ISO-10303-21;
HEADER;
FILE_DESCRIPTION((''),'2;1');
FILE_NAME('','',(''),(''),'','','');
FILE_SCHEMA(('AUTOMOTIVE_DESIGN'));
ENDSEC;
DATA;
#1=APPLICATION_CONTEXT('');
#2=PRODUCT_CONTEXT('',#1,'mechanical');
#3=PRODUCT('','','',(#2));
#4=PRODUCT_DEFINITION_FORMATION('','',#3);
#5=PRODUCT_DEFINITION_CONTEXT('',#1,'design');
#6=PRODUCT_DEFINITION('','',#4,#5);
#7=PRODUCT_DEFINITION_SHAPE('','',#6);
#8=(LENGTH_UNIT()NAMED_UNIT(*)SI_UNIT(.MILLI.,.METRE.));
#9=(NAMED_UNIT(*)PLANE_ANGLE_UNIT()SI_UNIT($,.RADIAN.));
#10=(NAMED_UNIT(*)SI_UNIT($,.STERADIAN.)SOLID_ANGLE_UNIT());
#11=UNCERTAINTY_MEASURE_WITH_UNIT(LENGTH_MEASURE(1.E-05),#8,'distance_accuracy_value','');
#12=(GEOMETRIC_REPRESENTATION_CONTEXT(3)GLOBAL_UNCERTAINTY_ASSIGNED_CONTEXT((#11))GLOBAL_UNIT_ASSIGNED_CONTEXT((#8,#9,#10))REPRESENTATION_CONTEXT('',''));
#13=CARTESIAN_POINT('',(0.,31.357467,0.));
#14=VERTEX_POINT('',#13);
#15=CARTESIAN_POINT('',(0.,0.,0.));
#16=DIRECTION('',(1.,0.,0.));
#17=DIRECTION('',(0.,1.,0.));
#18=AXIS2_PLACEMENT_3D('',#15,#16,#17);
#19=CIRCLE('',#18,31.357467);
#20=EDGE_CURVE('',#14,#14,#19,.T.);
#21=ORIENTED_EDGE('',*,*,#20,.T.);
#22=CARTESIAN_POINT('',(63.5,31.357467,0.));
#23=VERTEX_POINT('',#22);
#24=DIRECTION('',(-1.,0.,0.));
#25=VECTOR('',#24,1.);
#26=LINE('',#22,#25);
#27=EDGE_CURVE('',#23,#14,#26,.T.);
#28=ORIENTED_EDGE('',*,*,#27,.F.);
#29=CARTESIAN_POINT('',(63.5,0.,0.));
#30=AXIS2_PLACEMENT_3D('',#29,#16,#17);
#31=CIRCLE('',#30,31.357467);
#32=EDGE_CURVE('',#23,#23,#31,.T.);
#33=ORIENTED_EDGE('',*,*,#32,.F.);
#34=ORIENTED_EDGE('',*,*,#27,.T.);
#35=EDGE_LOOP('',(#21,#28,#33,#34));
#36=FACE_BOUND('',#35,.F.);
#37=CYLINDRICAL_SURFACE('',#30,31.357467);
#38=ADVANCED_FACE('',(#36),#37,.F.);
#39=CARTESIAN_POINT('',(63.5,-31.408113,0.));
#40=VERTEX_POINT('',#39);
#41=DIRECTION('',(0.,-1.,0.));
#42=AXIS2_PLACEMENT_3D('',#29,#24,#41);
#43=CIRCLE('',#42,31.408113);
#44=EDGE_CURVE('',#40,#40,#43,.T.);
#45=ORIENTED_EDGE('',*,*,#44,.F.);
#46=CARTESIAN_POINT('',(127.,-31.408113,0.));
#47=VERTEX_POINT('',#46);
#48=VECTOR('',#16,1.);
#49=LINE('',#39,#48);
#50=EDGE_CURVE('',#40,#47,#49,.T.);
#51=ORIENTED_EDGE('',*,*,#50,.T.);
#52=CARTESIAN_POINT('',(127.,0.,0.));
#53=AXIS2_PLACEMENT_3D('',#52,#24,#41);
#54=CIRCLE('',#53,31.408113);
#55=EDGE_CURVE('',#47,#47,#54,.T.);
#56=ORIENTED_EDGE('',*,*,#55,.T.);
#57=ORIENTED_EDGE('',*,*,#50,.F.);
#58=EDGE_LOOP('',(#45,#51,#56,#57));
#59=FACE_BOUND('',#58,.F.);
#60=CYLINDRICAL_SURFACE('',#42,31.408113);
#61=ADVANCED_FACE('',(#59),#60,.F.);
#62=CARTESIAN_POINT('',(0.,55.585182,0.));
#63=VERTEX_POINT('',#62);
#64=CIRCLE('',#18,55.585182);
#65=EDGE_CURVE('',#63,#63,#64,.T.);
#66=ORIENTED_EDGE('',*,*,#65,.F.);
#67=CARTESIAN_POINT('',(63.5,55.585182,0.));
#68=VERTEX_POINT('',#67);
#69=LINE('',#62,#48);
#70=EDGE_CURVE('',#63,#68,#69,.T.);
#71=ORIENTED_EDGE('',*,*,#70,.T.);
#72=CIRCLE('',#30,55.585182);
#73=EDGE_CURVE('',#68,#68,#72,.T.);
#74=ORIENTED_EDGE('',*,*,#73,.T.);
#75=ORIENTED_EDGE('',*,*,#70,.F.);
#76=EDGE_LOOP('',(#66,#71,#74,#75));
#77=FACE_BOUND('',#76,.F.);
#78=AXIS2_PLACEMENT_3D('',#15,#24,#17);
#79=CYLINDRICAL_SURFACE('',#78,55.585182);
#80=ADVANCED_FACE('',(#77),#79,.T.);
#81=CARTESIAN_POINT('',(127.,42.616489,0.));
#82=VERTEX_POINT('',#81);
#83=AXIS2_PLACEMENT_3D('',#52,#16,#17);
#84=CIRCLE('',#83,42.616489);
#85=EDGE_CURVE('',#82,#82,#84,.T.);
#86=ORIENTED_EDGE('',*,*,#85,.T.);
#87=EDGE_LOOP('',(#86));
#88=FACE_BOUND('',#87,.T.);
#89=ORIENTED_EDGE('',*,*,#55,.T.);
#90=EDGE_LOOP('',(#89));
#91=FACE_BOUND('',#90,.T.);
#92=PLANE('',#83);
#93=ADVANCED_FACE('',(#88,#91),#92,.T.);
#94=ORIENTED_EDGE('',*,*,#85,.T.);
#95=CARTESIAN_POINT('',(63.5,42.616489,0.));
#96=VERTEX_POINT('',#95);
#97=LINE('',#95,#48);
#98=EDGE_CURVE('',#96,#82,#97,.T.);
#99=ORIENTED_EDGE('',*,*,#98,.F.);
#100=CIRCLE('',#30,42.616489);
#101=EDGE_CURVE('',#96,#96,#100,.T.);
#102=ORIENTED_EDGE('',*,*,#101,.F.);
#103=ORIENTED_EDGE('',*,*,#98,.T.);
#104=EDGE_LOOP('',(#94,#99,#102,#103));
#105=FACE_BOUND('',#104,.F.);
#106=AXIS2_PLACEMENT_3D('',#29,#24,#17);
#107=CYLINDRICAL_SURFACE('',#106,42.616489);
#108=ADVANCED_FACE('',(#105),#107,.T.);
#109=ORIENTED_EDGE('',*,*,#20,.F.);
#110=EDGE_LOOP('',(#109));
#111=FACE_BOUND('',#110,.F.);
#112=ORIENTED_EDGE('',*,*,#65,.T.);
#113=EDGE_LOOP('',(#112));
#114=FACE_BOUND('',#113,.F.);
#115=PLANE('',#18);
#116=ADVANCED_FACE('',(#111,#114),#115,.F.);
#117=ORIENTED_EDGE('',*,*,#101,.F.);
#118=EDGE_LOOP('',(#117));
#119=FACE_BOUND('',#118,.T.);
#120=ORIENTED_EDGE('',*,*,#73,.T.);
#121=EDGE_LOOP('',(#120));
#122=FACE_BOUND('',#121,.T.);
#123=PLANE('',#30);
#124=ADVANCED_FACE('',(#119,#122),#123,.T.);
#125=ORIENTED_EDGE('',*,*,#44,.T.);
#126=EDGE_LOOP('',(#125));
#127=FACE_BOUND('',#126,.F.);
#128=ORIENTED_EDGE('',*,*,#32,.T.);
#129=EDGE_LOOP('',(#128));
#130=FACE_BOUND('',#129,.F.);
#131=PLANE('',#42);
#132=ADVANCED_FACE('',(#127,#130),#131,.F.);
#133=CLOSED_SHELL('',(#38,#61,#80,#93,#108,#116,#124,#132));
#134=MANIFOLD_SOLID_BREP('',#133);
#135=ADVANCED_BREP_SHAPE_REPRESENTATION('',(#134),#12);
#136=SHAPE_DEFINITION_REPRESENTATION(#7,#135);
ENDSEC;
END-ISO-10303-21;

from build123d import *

# Parameters (mm, degrees)
F0_R     = 55.585182
F1_DEPTH = 63.5
F2_R     = 31.357467
F3_DEPTH = 63.5
F4_R     = 42.616489
F5_DEPTH = 63.5
F6_R     = 31.408113
F7_DEPTH = 63.5


with BuildPart() as f1:
    # F0 (on Right) → F1 (new body)
    with BuildSketch(Plane.YZ):
        Circle(F0_R)
    extrude(amount=F1_DEPTH)

    # F2 (on face) → F3 (cut)
    with BuildSketch(Plane.YZ.offset(63.5)):
        Circle(F2_R)
    extrude(amount=-F3_DEPTH, mode=Mode.SUBTRACT)

    # F4 (on face) → F5 (join)
    with BuildSketch(Plane.YZ.offset(63.5)):
        Circle(F4_R)
    extrude(amount=F5_DEPTH)

    # F6 (on face) → F7 (cut)
    with BuildSketch(Plane(origin=(63.5, 0, 0), x_dir=(0, -1, 0), z_dir=(-1, 0, 0))):
        Circle(F6_R)
    extrude(amount=-F7_DEPTH, mode=Mode.SUBTRACT)


solid = f1.part
